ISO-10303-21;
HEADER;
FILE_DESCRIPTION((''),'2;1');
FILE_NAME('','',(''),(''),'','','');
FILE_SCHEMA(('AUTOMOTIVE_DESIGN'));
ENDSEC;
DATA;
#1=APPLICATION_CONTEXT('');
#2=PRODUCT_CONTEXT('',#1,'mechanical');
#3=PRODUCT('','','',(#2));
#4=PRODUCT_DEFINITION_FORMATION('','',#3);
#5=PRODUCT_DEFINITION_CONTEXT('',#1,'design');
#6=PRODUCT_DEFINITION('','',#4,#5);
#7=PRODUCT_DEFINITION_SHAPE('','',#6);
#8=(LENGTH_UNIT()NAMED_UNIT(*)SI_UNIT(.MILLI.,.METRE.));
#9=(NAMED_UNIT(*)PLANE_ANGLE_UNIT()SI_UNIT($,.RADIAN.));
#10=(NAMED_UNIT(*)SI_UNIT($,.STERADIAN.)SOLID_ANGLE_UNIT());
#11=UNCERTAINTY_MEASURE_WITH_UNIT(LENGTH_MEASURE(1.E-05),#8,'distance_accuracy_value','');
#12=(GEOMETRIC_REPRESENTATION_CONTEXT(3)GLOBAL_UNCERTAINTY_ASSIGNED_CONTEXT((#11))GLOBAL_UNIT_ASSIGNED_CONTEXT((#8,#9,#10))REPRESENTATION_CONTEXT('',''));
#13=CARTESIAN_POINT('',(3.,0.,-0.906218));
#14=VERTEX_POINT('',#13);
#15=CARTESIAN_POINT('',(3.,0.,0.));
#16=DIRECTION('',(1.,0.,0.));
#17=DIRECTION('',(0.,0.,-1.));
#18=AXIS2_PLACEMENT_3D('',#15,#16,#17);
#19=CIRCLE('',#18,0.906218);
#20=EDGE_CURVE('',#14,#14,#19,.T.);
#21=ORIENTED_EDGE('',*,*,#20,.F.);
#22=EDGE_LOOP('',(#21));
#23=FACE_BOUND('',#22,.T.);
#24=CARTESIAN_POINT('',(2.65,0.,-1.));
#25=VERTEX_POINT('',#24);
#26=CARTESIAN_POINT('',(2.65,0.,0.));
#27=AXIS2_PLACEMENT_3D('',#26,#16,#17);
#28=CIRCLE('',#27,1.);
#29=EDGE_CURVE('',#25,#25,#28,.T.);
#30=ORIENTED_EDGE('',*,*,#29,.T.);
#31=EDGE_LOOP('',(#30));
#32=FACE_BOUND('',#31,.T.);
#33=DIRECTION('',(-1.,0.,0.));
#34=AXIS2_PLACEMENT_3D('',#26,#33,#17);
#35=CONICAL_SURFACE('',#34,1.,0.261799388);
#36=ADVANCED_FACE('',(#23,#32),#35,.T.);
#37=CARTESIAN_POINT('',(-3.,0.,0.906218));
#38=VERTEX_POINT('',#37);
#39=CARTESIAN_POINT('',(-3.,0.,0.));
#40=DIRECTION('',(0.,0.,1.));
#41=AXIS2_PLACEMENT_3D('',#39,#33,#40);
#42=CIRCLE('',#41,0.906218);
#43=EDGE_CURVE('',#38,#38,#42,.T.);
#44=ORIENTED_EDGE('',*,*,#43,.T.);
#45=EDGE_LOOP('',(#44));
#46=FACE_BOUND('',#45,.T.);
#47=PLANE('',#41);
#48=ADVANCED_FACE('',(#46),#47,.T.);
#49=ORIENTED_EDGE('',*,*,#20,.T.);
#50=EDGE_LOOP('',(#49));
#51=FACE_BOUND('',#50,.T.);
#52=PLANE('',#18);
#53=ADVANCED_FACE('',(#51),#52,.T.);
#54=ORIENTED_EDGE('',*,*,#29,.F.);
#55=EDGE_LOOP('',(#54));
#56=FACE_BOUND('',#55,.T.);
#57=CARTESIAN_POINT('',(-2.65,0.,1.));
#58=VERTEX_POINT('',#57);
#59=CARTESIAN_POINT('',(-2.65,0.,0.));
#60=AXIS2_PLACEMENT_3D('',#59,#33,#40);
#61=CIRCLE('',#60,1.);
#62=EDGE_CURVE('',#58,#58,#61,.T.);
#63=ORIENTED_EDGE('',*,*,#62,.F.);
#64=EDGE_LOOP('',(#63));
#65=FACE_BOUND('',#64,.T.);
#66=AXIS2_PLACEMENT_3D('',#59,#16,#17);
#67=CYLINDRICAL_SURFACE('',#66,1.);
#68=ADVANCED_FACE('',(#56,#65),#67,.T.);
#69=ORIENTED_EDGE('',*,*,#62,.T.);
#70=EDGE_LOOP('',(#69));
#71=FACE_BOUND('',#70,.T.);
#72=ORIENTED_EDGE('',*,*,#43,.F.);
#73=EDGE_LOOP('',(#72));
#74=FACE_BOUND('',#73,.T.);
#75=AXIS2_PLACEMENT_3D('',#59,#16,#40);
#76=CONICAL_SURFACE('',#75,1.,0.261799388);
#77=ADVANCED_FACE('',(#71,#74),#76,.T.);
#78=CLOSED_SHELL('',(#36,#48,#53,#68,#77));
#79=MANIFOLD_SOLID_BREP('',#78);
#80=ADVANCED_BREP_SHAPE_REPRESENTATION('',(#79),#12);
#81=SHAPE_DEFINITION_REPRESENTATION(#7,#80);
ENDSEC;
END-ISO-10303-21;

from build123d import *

# Parameters (mm, degrees)
EXTRUDE1_DEPTH      = 2.65
EXTRUDE1_DEPTH_BACK = 2.65
SKETCH2_R           = 1
SKETCH3_R           = 1
EXTRUDE2_DEPTH      = 0.35
EXTRUDE2_TAPER      = 15
SKETCH4_R           = 1
EXTRUDE3_DEPTH      = 0.35
EXTRUDE3_TAPER      = 15


with BuildPart() as part:
    # Sketch2 → Extrude1 (new, two sides: drawn at the far end of the back side and taken through both)
    with BuildSketch(Plane(origin=(0, 0, 0), x_dir=(0, 0, -1), z_dir=(1, 0, 0)).offset(-EXTRUDE1_DEPTH_BACK)):
        Circle(SKETCH2_R)
    extrude(amount=EXTRUDE1_DEPTH + EXTRUDE1_DEPTH_BACK)

    # Sketch3 → Extrude2 (add)
    with BuildSketch(Plane(origin=(2.65, 0, 0), x_dir=(0, 0, -1), z_dir=(1, 0, 0))):
        Circle(SKETCH3_R)
    extrude(amount=EXTRUDE2_DEPTH, taper=EXTRUDE2_TAPER)

    # Sketch4 → Extrude3 (add)
    with BuildSketch(Plane.ZY.offset(2.65)):
        with Locations(Location((0, 0, 0), (0, 0, 180))):
            Circle(SKETCH4_R)
    extrude(amount=EXTRUDE3_DEPTH, taper=EXTRUDE3_TAPER)


solid = part.part
